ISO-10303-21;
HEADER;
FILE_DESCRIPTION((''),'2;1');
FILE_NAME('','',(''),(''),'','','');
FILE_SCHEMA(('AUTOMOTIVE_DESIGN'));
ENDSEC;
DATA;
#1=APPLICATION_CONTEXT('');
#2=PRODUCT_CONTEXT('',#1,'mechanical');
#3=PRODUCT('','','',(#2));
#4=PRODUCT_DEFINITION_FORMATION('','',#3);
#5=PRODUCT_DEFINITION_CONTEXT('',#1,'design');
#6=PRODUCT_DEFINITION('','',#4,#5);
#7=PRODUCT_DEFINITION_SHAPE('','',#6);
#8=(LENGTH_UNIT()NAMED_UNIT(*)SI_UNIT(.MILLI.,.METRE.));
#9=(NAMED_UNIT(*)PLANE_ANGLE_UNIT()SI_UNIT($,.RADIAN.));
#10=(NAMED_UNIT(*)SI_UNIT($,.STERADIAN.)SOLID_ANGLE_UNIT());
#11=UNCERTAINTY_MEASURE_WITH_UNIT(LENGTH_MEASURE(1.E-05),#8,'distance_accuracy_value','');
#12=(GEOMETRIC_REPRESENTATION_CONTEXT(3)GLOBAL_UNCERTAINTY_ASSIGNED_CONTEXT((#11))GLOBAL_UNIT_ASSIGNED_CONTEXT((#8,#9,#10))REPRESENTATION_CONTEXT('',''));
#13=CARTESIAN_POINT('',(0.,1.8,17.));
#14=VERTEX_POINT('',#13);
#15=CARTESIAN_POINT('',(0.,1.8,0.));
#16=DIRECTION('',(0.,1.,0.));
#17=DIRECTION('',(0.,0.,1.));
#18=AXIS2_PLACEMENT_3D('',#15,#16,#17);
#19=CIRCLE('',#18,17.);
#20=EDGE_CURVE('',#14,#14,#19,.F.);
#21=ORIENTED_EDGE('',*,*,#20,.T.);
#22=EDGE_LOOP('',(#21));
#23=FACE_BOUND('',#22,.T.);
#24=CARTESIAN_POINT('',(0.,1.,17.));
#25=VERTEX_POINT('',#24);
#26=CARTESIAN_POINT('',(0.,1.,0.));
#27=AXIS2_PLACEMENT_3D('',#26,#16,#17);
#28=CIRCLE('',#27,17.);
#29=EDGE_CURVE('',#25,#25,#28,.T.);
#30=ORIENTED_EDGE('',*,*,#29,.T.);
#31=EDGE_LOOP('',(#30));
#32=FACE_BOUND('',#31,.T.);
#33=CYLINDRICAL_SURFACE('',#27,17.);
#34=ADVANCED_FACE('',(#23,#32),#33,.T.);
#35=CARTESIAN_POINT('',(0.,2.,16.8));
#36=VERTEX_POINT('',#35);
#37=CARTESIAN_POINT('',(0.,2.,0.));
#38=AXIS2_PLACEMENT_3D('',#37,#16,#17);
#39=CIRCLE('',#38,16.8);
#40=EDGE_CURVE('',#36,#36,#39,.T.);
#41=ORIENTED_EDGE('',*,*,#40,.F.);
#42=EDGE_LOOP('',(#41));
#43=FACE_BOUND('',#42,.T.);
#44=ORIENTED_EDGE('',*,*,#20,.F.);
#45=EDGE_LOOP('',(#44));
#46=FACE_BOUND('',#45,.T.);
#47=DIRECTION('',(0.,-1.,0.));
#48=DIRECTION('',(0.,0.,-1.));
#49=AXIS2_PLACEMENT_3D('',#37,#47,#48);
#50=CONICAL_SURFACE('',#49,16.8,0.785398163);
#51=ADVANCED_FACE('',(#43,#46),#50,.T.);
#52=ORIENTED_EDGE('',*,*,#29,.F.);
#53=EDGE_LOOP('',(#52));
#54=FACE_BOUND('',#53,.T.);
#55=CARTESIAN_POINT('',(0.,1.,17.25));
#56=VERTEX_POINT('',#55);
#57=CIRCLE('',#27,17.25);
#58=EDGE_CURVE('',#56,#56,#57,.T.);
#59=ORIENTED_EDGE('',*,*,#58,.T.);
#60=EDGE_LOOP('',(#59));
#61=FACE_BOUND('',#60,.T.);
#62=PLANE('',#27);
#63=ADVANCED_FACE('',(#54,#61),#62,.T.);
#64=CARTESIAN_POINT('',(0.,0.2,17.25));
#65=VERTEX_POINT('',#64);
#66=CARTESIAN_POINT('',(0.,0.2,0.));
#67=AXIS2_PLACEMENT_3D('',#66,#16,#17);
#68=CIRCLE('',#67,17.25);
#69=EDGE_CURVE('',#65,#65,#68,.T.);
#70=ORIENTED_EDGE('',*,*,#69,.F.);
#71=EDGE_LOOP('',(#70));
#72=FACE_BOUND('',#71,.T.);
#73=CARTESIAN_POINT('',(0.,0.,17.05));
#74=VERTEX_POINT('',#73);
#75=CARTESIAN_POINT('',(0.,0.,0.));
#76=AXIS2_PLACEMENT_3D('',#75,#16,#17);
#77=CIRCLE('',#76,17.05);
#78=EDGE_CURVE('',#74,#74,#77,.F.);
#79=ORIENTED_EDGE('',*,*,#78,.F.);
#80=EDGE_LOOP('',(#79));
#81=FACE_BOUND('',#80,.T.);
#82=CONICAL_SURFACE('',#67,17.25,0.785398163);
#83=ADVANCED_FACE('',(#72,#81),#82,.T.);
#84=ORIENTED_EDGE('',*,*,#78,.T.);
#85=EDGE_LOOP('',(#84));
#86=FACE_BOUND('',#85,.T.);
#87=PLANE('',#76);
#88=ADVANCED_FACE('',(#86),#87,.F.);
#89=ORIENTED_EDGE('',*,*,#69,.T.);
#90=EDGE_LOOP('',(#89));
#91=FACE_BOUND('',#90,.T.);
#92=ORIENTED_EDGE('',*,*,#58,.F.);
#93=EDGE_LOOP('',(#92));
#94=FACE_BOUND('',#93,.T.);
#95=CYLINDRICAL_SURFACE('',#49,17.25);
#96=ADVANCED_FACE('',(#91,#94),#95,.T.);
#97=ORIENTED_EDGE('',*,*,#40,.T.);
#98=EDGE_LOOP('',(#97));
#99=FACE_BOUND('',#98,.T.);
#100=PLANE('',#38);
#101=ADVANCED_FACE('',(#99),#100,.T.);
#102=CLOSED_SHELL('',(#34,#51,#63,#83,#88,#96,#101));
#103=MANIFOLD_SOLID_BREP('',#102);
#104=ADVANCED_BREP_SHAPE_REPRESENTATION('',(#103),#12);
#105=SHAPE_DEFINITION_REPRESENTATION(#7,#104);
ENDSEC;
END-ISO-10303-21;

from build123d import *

# Parameters (mm, degrees)
SKETCH1_R           = 17.25
BOSS_EXTRUDE1_DEPTH = 2
SKETCH2_OUTSIDE_W   = 46.266
SKETCH2_OUTSIDE_H   = 46.266
SKETCH2_OUTSIDE_R   = 17
CUT_EXTRUDE1_DEPTH  = 1
CHAMFER1_SIZE       = 0.2


with BuildPart() as part:
    # Sketch1 → Boss-Extrude1 (new body)
    with BuildSketch(Plane(origin=(0, 0, 0), x_dir=(1, 0, 0), z_dir=(0, 1, 0))):
        with Locations(Location((0, 0, 0), (0, 0, 270))):
            Circle(SKETCH1_R)
    extrude(amount=BOSS_EXTRUDE1_DEPTH)

    # Sketch2 outside → Cut-Extrude1 (cut)
    with BuildSketch(Plane(origin=(0, 2, 0), x_dir=(1, 0, 0), z_dir=(0, 1, 0))):
        Rectangle(SKETCH2_OUTSIDE_W, SKETCH2_OUTSIDE_H)
        with Locations(Location((0, 0, 0), (0, 0, 270))):
            Circle(SKETCH2_OUTSIDE_R, mode=Mode.SUBTRACT)
    extrude(amount=-CUT_EXTRUDE1_DEPTH, mode=Mode.SUBTRACT)

    # Chamfer1
    chamfer1_edges = [part.edges().sort_by_distance(p)[0] for p in [
        (0, 2, -17),
        (0, 0, -17.25),
    ]]
    chamfer(chamfer1_edges, length=CHAMFER1_SIZE)


solid = part.part
